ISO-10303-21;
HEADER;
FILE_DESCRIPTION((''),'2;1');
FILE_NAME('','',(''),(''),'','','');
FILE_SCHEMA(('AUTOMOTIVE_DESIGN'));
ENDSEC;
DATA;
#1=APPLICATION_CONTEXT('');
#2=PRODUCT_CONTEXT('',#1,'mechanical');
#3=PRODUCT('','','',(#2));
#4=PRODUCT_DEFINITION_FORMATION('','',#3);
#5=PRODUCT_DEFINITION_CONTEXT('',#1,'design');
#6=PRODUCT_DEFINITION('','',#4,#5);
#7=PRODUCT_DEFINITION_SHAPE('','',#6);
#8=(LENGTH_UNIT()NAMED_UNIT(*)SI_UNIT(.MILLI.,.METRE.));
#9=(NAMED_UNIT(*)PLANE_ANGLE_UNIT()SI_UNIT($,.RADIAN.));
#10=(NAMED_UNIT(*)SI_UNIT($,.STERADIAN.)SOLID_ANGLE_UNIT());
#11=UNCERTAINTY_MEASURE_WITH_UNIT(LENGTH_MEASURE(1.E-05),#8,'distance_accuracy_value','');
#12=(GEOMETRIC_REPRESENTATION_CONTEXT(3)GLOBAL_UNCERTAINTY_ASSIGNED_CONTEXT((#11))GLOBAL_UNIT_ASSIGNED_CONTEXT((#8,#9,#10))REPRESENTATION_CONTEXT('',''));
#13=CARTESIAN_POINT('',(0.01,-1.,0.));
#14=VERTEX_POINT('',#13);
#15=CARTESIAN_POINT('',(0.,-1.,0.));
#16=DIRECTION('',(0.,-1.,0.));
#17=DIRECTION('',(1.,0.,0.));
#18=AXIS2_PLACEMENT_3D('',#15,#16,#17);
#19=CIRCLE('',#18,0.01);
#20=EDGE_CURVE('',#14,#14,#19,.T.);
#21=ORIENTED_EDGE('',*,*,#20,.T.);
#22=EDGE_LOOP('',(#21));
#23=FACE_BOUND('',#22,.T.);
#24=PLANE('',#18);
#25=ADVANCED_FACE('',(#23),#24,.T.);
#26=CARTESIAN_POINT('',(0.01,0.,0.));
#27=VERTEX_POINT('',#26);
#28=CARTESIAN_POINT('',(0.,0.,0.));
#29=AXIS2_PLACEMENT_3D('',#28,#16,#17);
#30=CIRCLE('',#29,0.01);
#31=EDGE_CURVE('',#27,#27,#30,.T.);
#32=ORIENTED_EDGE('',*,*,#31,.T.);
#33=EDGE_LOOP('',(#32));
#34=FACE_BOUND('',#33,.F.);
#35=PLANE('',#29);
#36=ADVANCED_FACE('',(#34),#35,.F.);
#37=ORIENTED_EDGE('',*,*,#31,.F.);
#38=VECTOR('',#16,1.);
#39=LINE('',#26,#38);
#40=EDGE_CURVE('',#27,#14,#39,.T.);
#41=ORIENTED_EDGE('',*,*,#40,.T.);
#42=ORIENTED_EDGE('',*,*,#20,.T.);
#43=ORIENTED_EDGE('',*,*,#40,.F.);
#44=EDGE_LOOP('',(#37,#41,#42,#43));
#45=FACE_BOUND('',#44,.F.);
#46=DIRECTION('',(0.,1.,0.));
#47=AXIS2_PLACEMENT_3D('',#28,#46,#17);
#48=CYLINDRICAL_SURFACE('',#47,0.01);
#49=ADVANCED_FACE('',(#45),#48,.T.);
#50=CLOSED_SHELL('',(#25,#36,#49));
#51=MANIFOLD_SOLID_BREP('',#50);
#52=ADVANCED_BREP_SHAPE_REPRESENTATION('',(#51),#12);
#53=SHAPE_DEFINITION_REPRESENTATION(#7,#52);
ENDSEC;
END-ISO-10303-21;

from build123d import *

# Parameters (mm, degrees)
CYLINDER_R          = 0.01
CYLINDER_DEPTH      = 1
CYLINDER_ROLL_ANGLE = 90


with BuildPart() as part:
    # Cylinder → Cylinder (new body)
    with BuildSketch(Plane.XY):
        Circle(CYLINDER_R)
    extrude(amount=CYLINDER_DEPTH)


with BuildPart() as part_1:
    # Cylinder roll: moved
    add(part.part.rotate(Axis((0, 0, 0), (1, 0, 0)), CYLINDER_ROLL_ANGLE))


with BuildPart() as part_2:
    # Cylinder placement: moved
    add(part_1.part)


solid = part_2.part
